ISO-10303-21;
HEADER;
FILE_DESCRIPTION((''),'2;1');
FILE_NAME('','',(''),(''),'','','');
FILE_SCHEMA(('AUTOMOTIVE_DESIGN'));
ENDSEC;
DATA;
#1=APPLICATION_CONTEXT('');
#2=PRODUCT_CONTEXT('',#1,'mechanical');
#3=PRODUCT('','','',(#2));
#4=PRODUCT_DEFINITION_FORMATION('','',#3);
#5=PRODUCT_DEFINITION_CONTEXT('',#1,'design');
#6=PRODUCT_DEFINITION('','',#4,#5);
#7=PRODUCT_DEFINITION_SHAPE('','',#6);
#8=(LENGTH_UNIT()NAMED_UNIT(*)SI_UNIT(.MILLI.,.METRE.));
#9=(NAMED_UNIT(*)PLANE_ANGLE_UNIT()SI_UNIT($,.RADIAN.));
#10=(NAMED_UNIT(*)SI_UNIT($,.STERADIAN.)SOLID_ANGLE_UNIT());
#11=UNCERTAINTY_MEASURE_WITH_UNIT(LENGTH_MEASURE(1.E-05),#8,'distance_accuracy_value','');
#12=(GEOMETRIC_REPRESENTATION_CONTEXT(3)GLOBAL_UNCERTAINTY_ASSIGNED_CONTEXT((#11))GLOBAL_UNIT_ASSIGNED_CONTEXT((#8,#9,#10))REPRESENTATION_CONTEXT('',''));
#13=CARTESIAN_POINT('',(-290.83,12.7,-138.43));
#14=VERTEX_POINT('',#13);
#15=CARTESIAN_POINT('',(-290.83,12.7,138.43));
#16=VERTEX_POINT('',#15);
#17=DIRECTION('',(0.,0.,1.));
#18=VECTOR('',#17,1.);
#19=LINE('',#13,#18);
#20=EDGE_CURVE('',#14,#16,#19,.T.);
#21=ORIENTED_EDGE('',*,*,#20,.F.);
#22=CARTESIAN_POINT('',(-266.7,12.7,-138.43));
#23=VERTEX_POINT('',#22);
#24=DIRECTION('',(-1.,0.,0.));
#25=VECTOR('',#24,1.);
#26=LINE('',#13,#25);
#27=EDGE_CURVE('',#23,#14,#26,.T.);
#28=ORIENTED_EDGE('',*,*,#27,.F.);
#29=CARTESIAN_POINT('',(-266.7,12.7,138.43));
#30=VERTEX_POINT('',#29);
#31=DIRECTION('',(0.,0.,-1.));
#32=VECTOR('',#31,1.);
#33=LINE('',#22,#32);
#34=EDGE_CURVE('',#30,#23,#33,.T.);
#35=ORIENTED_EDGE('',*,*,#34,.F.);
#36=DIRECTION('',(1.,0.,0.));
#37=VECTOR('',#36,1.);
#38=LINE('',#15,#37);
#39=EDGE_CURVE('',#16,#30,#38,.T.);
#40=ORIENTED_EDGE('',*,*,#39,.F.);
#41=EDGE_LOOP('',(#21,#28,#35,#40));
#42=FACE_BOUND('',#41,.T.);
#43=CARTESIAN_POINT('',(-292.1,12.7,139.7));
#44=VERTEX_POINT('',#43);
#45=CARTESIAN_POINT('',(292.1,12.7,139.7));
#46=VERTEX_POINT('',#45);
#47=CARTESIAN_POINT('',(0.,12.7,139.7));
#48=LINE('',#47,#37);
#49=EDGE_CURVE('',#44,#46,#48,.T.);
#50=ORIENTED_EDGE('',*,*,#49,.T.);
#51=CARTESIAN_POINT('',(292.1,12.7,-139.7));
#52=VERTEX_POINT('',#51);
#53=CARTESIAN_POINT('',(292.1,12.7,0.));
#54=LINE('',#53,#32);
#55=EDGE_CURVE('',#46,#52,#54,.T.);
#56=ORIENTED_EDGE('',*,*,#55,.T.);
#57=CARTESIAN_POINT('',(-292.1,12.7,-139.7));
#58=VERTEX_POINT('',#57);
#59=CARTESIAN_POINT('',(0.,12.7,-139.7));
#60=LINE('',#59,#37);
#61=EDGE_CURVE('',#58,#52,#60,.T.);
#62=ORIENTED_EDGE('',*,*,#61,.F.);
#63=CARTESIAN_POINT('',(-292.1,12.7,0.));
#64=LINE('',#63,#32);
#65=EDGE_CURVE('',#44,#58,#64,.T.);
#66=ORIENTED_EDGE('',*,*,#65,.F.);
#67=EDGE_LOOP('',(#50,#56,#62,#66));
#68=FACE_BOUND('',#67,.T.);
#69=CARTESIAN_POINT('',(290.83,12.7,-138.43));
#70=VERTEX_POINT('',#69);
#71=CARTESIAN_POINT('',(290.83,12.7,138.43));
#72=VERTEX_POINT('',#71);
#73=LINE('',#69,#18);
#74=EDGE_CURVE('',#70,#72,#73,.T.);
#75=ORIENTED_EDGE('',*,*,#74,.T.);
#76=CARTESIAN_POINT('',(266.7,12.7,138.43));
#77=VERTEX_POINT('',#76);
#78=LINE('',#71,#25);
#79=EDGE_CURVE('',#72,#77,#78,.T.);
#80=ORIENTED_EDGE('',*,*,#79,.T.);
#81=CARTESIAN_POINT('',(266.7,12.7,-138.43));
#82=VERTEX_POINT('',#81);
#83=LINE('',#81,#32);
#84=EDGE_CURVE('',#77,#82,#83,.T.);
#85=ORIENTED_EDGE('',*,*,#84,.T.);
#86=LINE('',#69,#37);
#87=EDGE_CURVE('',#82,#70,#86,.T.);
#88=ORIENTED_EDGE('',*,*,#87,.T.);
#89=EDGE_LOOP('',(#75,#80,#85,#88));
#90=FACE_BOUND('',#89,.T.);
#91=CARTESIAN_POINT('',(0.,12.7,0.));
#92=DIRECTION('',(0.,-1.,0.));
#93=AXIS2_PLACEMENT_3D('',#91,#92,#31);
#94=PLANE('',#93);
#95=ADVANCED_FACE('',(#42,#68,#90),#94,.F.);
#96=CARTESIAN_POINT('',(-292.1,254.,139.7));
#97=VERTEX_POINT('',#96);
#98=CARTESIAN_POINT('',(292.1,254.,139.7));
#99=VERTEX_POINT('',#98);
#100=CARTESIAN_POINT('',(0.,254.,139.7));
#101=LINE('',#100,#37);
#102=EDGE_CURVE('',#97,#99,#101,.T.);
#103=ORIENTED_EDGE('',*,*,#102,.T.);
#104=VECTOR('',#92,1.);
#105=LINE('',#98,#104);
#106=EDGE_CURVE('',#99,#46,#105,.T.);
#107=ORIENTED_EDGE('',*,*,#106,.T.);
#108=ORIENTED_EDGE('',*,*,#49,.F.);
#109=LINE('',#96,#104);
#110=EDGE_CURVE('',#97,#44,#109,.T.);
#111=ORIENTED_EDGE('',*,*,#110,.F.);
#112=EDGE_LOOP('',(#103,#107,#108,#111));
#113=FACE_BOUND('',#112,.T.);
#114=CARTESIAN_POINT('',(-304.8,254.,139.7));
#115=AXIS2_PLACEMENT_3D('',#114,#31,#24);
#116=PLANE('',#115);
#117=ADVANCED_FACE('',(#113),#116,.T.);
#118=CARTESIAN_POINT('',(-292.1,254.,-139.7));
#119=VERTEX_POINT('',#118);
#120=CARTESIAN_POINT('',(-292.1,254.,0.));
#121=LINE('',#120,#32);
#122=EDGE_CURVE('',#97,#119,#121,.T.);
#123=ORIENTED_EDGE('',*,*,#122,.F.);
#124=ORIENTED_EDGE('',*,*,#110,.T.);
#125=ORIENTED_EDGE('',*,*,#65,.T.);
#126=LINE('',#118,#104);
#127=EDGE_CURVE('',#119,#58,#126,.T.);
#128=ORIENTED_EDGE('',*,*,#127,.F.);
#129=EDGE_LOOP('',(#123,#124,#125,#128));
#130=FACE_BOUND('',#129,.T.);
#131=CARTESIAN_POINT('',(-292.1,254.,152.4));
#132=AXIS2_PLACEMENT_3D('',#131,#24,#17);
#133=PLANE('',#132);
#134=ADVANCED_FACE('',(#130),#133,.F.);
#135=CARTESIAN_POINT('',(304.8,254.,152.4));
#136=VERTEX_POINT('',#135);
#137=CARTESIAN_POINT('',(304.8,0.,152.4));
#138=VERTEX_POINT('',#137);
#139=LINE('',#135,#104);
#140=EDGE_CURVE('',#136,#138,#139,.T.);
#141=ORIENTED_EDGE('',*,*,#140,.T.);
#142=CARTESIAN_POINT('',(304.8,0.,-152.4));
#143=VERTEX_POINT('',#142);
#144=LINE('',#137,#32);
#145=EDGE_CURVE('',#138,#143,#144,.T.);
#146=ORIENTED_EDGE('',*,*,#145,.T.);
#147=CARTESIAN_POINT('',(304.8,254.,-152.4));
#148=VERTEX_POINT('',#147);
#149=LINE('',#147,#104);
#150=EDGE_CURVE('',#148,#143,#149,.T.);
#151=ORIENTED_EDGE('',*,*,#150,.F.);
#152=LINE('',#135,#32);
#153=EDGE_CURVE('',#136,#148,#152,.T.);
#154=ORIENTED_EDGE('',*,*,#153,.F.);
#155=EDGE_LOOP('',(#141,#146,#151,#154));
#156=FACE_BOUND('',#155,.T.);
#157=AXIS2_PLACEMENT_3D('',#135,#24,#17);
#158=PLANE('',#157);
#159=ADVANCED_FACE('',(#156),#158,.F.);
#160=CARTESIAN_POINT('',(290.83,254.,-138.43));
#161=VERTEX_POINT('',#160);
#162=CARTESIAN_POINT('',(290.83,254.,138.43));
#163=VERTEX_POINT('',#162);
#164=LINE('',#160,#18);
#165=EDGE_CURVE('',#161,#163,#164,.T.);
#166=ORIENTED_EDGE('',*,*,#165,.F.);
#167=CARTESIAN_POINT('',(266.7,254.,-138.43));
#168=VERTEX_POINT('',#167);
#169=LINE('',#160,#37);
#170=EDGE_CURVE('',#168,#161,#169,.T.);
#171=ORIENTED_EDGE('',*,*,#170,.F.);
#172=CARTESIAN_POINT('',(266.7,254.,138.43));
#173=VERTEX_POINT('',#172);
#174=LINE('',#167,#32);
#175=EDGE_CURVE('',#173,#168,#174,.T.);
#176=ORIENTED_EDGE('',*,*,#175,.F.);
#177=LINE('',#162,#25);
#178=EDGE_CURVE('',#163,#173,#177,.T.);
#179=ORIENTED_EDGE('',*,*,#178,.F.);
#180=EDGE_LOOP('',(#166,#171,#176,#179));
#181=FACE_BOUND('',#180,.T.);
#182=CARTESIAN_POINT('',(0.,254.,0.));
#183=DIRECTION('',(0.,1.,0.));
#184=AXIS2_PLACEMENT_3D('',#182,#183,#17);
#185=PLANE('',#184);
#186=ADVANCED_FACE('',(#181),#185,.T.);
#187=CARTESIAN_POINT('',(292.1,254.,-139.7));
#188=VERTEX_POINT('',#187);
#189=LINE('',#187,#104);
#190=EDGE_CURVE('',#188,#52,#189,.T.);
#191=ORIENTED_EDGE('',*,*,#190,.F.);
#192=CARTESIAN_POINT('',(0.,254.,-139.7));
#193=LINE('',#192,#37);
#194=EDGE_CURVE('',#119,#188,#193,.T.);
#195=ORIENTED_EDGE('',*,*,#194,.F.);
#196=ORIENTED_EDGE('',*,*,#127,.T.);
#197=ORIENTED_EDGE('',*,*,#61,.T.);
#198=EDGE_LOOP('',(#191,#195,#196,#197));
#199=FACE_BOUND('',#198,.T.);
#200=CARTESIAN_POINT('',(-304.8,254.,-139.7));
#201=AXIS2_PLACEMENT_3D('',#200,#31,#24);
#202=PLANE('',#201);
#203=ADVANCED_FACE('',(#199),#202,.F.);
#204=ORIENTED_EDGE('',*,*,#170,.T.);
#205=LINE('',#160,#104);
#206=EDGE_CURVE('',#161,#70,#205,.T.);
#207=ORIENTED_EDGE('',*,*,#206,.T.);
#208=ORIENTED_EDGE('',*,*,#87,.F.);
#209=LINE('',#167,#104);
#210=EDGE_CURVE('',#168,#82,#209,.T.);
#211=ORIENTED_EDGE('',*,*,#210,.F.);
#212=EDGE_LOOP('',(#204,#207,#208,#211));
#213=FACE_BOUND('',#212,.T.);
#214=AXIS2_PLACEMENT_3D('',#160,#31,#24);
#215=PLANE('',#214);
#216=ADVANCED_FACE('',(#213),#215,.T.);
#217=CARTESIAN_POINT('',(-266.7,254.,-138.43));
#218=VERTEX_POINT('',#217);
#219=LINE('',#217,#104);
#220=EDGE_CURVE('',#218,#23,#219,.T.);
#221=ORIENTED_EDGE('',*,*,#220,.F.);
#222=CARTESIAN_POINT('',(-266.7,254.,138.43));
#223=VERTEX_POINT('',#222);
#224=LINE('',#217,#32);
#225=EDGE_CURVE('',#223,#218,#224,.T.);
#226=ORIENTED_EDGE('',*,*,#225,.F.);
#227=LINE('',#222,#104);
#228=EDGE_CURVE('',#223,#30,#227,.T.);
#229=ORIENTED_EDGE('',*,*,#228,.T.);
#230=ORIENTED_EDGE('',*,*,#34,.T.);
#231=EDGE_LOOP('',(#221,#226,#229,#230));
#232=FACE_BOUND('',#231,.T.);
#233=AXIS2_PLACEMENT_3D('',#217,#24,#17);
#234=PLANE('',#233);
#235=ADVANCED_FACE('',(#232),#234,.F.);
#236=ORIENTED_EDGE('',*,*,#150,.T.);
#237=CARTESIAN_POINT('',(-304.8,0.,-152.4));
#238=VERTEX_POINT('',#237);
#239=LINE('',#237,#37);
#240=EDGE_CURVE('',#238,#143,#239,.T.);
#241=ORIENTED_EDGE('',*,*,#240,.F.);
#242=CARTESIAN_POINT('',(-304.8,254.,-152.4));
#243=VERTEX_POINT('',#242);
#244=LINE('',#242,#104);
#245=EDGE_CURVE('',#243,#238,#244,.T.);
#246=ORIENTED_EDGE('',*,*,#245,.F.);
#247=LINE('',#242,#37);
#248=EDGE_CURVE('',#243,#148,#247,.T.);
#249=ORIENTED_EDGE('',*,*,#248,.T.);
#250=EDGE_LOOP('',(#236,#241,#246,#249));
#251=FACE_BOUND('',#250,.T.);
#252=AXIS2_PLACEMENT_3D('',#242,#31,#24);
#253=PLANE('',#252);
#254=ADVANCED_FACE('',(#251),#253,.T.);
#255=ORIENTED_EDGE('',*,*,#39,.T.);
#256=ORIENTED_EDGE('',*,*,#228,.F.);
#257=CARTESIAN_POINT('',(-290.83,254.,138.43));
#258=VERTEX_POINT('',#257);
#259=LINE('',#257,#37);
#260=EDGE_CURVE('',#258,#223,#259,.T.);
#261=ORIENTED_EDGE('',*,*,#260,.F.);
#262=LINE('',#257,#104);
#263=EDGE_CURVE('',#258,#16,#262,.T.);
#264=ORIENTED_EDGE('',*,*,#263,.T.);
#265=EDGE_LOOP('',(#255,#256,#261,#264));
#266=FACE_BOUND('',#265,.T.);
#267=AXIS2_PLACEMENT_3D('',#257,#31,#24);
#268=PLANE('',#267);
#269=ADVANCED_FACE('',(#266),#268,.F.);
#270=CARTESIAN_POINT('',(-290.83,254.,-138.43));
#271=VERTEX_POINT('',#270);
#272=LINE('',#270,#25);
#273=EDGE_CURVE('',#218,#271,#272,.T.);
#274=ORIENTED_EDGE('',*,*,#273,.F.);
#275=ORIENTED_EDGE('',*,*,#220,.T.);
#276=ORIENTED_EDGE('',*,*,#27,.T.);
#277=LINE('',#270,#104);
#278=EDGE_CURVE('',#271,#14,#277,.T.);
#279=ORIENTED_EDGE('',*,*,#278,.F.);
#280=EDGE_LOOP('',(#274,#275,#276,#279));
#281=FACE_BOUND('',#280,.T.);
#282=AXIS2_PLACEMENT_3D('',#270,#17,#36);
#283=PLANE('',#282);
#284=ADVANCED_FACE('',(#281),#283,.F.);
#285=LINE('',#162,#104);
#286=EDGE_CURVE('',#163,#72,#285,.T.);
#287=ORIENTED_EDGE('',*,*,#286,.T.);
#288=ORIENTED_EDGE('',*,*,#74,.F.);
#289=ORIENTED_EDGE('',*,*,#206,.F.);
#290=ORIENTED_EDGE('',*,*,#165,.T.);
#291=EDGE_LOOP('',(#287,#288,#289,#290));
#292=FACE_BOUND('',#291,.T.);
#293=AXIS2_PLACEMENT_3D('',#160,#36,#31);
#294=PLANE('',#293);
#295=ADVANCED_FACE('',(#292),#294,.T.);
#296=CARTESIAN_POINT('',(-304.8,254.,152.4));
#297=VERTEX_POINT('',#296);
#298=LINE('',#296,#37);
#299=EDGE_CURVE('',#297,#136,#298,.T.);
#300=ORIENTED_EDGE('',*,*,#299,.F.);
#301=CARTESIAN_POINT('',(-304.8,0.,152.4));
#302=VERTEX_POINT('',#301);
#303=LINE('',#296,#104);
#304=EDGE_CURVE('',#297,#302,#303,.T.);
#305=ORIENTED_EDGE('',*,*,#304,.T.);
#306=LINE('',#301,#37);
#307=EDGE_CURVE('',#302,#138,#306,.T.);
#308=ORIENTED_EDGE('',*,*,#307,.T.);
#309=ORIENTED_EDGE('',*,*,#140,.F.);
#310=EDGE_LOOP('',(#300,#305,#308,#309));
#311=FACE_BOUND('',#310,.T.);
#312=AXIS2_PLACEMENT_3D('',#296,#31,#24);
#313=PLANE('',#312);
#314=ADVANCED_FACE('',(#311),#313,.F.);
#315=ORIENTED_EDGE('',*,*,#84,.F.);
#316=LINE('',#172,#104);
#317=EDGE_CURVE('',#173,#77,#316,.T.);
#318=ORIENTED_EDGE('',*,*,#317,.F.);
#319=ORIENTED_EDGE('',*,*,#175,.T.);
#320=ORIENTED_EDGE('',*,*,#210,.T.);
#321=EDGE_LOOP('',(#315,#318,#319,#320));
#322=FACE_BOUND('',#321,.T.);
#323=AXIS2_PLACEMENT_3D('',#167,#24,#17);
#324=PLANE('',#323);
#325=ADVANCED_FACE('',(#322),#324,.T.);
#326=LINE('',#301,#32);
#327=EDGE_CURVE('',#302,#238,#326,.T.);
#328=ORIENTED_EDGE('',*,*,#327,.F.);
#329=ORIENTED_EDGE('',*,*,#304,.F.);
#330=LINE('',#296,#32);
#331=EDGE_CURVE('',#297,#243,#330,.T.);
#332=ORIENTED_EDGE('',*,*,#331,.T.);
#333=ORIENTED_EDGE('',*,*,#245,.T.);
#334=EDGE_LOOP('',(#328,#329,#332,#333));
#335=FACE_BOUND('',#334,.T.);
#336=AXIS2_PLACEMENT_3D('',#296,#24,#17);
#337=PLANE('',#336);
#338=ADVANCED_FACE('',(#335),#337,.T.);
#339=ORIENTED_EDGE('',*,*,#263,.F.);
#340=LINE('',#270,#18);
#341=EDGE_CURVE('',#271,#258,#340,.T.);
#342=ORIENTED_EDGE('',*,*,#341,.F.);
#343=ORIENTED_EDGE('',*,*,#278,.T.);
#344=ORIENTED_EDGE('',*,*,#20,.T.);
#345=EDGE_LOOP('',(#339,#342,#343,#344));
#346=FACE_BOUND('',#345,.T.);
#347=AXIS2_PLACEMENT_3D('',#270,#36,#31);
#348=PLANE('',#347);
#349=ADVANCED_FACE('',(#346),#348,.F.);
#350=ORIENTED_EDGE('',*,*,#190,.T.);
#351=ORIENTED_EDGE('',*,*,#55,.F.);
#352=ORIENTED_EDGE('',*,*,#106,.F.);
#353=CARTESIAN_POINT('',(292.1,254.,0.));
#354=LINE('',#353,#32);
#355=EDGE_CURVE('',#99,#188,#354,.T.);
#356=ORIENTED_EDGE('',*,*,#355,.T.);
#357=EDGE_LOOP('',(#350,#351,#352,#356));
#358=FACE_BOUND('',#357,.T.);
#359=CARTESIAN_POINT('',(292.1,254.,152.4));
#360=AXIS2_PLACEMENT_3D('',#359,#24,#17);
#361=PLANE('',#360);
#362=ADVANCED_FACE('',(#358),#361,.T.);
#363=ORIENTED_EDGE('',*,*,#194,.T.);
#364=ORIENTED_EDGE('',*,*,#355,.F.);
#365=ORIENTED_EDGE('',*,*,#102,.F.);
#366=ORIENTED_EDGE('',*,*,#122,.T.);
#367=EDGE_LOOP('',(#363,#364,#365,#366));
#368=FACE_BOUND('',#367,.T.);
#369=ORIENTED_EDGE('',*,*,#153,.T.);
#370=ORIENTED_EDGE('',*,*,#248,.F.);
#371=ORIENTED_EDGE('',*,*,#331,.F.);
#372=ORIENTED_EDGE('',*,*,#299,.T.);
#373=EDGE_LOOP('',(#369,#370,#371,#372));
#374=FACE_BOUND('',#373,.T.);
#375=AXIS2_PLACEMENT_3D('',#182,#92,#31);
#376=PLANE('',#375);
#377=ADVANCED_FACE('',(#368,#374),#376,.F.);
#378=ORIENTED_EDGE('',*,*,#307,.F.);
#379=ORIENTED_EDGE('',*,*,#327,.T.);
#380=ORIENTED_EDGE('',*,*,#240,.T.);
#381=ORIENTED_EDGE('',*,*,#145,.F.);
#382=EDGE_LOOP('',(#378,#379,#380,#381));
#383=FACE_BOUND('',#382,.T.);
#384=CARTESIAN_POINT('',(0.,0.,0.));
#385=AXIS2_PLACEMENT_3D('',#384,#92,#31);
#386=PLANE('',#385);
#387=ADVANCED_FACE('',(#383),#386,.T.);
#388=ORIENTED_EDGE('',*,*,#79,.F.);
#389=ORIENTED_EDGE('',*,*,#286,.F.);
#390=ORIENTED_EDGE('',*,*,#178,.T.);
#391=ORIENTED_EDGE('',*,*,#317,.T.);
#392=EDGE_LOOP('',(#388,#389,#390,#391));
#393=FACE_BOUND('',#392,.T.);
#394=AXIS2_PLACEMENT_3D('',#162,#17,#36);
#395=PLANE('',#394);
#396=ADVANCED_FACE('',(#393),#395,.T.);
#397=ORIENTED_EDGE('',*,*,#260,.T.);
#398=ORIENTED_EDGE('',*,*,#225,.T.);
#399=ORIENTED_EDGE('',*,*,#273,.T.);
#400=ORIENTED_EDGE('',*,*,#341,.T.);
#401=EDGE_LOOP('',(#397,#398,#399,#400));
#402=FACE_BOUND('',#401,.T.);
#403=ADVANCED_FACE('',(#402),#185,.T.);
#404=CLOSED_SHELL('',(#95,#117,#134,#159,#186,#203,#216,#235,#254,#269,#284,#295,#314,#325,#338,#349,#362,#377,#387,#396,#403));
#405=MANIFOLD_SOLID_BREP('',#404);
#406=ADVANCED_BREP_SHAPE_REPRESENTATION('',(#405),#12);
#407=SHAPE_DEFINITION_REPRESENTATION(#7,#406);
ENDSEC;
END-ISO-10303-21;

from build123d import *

# Parameters (mm, degrees)
SKETCH1_W           = 609.6
SKETCH1_H           = 304.8
BOSS_EXTRUDE1_DEPTH = 254
SHELL1_T            = -12.7
SKETCH2_W           = 24.13
SKETCH2_H           = 276.86
BOSS_EXTRUDE3_DEPTH = 241.3


with BuildPart() as part:
    # Sketch1 → Boss-Extrude1 (new body)
    with BuildSketch(Plane(origin=(0, 0, 0), x_dir=(1, 0, 0), z_dir=(0, 1, 0))):
        Rectangle(SKETCH1_W, SKETCH1_H)
    extrude(amount=BOSS_EXTRUDE1_DEPTH)

    # Shell1
    shell1_openings = [part.faces().sort_by_distance(p)[0] for p in [
        (0, 254, 0),
    ]]
    offset(amount=SHELL1_T, openings=shell1_openings, kind=Kind.INTERSECTION)

    # Sketch2 → Boss-Extrude3 (add)
    with BuildSketch(Plane(origin=(0, 12.7, 0), x_dir=(1, 0, 0), z_dir=(0, 1, 0))):
        with Locations((-278.765, 0)):
            Rectangle(SKETCH2_W, SKETCH2_H)
    boss_extrude3 = extrude(amount=BOSS_EXTRUDE3_DEPTH)

    # Mirror1: Boss-Extrude3 across plane
    add(boss_extrude3.mirror(Plane(origin=(0, 0, 0), x_dir=(0, 0, 1), z_dir=(1, 0, 0))))


solid = part.part
